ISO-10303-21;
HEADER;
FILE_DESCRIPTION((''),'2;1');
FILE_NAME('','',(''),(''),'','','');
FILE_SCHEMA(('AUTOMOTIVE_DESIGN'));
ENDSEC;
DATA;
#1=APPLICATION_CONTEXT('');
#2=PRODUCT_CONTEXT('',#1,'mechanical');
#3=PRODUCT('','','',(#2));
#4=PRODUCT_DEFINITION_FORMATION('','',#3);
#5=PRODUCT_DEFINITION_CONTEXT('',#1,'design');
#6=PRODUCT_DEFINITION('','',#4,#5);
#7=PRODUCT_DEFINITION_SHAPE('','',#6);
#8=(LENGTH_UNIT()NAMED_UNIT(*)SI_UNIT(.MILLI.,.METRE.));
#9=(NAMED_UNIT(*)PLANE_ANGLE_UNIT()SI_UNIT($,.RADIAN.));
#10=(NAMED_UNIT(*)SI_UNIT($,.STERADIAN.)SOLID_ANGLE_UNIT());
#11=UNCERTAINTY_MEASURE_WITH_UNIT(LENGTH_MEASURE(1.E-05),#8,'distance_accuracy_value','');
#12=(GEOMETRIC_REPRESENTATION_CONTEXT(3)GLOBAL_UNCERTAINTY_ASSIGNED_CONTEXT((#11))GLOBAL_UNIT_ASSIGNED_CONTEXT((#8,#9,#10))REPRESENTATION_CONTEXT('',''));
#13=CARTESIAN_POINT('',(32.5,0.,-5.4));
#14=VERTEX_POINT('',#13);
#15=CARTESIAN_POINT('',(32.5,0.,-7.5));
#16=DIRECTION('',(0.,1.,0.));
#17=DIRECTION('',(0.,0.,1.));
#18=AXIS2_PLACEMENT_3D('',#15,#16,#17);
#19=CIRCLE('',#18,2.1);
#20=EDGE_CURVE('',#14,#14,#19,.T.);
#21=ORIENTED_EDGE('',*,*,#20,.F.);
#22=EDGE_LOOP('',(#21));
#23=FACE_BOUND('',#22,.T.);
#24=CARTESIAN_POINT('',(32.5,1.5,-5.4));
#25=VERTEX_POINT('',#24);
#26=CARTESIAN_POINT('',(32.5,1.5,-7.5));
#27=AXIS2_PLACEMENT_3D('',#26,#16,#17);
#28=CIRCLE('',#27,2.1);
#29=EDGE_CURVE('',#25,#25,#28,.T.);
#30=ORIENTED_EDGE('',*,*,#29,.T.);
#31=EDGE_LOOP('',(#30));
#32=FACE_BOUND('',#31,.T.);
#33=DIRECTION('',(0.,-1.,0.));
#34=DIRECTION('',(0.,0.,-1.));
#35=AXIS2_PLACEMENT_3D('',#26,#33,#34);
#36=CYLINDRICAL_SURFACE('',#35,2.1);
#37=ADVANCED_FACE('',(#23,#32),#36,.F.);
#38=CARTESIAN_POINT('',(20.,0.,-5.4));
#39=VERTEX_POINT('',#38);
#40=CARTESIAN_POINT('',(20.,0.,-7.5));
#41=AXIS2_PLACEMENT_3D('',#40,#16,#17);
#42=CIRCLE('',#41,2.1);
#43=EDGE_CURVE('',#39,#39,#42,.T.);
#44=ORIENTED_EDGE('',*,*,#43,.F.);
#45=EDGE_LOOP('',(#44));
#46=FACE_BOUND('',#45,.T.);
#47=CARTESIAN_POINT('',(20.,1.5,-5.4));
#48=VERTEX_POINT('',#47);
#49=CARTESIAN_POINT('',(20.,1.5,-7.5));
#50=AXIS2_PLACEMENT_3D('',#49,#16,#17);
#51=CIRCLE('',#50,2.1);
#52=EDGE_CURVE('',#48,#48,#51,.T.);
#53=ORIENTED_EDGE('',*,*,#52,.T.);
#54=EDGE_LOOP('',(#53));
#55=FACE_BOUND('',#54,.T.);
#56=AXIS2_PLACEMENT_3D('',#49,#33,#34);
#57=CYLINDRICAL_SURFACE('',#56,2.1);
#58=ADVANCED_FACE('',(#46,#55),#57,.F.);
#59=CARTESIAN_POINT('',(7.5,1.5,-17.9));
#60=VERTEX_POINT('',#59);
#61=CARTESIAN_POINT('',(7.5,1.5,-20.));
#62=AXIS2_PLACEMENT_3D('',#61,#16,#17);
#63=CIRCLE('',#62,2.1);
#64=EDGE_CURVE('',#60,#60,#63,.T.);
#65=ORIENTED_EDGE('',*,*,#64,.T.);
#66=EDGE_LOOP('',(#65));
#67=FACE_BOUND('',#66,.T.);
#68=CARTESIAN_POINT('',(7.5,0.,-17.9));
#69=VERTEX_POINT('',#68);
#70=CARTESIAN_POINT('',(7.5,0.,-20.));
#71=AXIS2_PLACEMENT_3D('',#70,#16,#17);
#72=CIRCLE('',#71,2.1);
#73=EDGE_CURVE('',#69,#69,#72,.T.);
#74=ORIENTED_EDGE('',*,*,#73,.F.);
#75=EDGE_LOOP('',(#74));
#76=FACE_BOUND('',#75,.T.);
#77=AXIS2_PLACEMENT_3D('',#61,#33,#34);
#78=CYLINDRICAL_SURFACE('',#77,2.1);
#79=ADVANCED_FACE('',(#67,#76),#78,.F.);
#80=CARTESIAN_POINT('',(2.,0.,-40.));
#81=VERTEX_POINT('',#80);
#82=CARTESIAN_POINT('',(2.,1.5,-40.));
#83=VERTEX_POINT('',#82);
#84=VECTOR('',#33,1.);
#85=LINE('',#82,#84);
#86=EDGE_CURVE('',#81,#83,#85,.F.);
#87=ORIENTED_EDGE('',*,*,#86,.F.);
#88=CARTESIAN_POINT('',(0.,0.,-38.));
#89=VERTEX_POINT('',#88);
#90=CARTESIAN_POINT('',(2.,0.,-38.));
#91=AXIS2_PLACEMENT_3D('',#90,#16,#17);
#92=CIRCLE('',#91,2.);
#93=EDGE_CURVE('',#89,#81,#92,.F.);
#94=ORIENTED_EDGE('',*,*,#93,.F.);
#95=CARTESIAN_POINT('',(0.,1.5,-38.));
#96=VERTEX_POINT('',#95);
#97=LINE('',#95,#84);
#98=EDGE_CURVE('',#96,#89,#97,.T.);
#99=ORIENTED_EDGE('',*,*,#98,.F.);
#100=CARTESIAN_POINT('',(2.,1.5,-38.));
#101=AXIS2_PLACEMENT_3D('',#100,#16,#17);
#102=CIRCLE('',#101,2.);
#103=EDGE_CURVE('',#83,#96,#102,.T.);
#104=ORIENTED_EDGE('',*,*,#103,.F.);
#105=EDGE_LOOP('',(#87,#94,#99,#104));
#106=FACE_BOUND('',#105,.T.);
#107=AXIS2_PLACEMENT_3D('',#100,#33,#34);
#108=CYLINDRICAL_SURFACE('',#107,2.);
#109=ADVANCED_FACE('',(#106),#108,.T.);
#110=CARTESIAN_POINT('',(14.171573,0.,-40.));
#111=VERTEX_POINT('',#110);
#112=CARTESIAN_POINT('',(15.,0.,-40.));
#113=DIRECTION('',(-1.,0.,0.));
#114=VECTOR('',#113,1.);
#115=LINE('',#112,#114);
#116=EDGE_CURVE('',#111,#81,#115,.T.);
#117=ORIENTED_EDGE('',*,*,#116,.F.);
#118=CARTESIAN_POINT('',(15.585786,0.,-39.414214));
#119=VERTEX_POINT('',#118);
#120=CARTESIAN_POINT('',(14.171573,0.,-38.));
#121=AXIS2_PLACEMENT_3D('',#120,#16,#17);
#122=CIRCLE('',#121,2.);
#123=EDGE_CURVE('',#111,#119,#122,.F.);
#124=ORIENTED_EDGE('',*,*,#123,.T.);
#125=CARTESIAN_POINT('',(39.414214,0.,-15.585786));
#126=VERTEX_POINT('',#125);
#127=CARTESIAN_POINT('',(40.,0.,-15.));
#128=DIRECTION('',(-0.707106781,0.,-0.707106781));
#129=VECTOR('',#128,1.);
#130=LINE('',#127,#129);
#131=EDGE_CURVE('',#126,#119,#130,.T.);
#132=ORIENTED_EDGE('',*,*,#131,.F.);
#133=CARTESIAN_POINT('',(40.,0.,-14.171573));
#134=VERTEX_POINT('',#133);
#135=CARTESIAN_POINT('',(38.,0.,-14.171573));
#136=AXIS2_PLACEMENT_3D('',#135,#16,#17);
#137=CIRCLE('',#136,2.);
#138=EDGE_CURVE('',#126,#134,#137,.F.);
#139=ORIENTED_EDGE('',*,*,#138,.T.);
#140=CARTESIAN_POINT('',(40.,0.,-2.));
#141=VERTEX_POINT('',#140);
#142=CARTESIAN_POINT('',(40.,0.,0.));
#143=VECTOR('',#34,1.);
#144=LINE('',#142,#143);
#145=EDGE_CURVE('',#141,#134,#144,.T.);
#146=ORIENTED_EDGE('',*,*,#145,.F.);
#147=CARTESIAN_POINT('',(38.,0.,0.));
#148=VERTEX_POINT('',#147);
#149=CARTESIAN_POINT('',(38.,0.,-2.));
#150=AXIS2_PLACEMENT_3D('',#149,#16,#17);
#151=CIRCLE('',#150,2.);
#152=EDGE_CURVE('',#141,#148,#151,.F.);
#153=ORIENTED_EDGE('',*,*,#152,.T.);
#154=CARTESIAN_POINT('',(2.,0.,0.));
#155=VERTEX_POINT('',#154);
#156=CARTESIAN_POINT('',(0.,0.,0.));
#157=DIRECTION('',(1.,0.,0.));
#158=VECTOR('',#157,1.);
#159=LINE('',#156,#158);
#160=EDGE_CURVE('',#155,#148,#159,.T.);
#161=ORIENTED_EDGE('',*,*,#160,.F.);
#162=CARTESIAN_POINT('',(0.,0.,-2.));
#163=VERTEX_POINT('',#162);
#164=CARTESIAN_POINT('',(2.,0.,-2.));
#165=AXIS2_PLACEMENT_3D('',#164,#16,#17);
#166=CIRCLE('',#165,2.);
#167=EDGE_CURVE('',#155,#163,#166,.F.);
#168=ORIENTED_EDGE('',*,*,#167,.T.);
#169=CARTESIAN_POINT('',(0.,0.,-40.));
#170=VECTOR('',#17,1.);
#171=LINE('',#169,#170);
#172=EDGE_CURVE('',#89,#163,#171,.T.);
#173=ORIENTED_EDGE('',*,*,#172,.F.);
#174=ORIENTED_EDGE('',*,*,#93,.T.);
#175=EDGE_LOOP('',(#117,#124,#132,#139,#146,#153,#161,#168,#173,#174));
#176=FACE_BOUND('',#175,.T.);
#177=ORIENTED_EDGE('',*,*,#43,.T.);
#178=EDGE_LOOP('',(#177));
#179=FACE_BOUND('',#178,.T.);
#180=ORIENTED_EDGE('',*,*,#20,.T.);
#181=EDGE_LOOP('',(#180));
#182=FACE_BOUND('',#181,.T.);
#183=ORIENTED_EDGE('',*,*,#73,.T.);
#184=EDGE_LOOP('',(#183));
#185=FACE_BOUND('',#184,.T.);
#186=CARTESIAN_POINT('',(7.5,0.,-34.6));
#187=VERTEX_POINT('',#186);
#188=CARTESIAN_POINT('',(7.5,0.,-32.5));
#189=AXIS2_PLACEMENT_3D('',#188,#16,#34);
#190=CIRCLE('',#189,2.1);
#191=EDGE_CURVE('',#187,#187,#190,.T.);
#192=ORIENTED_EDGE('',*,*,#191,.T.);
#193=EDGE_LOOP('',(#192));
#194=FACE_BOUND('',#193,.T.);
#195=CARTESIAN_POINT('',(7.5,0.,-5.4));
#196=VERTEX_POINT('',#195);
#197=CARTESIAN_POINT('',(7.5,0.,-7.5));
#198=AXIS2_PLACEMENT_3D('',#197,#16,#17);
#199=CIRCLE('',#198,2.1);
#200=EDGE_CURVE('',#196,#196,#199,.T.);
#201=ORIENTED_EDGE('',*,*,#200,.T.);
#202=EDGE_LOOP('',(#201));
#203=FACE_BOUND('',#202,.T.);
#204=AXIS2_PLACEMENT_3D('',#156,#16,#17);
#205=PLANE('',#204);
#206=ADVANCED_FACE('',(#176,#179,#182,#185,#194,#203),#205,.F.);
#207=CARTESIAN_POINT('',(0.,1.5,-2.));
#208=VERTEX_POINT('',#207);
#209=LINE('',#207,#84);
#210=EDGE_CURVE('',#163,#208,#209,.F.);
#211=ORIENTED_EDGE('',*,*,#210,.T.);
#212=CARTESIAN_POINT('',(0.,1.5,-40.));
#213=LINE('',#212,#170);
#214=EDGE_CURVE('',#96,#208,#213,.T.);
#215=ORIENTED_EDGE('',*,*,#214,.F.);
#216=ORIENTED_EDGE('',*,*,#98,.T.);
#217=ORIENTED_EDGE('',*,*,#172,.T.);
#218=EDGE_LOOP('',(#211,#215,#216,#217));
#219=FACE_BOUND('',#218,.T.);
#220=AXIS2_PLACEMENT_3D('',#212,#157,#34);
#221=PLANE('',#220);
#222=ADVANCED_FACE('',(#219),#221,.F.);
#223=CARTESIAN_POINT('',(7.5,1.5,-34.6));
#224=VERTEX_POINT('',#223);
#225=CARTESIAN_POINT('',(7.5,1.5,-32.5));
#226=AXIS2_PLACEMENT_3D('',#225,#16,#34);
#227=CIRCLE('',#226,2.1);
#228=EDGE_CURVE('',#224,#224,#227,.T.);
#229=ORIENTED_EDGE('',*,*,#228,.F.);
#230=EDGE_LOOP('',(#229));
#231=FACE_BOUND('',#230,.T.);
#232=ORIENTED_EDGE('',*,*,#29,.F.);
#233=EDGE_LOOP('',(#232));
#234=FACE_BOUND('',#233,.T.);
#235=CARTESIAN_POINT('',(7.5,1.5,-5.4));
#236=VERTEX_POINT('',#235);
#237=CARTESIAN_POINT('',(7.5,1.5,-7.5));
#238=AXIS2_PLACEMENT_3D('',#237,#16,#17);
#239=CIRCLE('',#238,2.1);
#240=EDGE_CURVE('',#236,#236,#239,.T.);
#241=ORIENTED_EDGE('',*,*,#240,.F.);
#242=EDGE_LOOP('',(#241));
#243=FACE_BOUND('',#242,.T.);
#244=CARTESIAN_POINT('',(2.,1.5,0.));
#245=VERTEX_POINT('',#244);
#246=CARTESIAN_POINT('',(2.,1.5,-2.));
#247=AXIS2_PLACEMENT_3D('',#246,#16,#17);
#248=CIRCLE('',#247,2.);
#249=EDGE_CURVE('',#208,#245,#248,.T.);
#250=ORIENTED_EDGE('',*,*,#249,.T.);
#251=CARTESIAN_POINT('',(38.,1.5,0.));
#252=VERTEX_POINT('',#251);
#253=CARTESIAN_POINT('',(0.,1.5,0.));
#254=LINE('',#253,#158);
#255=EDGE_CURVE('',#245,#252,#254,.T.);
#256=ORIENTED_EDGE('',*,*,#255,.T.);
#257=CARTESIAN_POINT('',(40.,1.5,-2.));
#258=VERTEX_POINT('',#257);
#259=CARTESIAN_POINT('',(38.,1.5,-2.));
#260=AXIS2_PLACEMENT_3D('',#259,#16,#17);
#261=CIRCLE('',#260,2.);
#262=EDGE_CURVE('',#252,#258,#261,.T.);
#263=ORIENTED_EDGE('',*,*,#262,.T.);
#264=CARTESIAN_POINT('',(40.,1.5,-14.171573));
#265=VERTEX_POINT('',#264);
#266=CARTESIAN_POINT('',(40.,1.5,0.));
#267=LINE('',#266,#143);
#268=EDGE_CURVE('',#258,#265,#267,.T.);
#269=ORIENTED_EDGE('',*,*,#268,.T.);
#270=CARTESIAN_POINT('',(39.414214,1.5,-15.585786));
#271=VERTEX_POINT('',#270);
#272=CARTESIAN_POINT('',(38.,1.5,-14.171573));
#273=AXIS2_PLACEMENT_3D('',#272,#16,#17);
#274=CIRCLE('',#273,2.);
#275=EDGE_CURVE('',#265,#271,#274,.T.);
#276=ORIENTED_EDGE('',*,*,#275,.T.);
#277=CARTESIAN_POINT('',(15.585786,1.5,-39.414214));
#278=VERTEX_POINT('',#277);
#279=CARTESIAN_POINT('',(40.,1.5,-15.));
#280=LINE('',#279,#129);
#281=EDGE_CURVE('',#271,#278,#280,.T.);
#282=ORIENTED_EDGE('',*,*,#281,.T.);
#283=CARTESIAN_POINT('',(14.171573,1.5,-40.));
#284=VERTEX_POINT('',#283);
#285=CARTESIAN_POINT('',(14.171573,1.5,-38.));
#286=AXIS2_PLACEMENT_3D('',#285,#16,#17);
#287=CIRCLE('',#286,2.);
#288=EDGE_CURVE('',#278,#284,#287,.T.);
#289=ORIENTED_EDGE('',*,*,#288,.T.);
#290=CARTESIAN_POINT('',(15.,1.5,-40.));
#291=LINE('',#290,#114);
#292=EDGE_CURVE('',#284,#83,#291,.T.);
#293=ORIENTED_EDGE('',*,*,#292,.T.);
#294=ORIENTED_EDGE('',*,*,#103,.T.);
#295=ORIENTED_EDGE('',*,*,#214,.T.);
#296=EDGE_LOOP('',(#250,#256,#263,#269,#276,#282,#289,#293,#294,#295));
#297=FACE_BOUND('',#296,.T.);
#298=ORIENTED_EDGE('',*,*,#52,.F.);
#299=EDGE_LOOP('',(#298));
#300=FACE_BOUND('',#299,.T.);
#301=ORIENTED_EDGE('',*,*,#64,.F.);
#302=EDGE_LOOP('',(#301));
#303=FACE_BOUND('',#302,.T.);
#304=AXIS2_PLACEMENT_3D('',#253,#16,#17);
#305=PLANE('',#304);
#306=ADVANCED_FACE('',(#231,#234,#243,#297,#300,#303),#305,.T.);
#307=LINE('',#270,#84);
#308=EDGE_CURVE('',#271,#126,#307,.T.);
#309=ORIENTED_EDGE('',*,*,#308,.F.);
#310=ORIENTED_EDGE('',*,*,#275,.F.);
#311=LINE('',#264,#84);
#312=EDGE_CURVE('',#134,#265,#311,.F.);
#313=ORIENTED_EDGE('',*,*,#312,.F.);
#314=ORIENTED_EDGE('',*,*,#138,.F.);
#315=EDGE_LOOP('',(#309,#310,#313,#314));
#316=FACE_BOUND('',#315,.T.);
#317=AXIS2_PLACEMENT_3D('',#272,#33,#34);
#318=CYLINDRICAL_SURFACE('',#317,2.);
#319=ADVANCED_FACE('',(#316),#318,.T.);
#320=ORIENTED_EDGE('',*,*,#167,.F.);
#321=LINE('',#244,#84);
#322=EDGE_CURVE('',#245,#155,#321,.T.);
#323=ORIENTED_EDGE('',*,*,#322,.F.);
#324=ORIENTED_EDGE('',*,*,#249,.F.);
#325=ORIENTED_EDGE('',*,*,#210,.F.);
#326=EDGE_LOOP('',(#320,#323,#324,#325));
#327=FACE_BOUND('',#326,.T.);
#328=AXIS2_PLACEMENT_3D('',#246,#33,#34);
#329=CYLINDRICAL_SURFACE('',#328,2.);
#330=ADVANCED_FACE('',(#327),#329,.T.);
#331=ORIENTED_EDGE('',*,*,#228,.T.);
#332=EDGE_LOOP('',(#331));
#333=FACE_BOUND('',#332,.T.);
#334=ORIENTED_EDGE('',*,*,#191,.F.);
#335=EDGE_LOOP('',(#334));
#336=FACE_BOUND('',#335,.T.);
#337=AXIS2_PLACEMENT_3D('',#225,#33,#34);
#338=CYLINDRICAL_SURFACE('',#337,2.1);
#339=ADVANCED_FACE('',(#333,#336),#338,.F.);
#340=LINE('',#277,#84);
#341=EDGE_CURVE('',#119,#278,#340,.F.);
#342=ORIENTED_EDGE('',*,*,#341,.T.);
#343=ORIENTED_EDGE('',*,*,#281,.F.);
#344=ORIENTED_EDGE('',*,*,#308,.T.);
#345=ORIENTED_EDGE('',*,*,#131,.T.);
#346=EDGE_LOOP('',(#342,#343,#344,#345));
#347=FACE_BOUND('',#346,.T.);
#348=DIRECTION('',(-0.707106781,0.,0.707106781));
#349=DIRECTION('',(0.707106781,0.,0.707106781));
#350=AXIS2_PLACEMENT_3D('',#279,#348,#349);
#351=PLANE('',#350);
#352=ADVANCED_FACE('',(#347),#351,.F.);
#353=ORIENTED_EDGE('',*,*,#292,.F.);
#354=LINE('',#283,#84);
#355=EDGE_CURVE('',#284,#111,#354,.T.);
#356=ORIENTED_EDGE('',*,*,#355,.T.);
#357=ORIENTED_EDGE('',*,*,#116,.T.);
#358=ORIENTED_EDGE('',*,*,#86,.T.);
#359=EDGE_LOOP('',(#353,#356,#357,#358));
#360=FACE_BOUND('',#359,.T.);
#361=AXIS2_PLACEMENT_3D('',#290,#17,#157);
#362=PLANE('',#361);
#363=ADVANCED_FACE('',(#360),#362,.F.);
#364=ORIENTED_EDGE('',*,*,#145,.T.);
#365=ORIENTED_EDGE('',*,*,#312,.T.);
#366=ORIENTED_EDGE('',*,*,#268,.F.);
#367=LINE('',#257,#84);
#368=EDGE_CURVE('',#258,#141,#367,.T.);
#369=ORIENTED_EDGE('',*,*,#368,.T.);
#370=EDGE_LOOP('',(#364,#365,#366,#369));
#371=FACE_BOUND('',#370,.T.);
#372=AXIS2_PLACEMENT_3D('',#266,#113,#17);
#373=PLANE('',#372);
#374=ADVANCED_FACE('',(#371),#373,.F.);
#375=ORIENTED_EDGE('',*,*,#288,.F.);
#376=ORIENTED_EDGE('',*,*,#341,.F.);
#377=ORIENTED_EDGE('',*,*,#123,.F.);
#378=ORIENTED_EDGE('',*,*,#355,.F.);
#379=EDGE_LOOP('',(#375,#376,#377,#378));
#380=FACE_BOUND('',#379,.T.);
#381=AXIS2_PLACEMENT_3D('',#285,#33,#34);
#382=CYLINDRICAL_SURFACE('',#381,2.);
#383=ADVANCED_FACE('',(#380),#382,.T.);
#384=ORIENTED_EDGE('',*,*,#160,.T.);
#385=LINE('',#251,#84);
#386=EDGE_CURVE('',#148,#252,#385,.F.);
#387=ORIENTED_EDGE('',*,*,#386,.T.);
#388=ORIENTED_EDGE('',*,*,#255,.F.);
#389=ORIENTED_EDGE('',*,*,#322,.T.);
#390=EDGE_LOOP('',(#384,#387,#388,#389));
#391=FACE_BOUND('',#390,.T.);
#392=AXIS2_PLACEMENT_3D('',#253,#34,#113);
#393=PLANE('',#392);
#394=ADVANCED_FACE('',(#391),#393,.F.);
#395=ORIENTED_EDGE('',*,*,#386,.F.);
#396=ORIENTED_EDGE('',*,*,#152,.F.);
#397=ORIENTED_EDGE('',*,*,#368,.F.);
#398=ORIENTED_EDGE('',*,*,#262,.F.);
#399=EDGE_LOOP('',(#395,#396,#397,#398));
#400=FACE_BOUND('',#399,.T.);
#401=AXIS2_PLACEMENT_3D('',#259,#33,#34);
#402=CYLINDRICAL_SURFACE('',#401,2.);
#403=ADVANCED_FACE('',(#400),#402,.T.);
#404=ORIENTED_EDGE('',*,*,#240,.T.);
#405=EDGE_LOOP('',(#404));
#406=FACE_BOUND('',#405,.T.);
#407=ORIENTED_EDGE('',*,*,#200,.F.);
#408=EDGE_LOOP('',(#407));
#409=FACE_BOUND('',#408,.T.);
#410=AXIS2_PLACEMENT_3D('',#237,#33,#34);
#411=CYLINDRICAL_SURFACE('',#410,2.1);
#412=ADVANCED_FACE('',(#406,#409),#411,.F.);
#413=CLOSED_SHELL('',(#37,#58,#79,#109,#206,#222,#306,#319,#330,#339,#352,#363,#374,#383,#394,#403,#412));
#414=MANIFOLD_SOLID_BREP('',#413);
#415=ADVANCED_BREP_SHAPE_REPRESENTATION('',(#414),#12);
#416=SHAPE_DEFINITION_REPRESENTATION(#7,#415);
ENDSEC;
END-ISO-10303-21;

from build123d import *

# Parameters (mm, degrees)
SKETCH_2_R      = 2.1
EXTRUDE_1_DEPTH = 1.5
FILLET_1_R      = 2


with BuildPart() as part:
    # ｽｹｯﾁ2 → ﾎﾞｽ - 押し出し1 (new body)
    with BuildSketch(Plane(origin=(0, 0, 0), x_dir=(1, 0, 0), z_dir=(0, 1, 0))):
        Polygon((0, 0), (40, 0), (40, 15), (15, 40), (0, 40), align=None)
        with Locations(Location((7.5, 7.5, 0), (0, 0, 270))):
            Circle(SKETCH_2_R, mode=Mode.SUBTRACT)
        with Locations(Location((32.5, 7.5, 0), (0, 0, 270))):
            Circle(SKETCH_2_R, mode=Mode.SUBTRACT)
        with Locations(Location((7.5, 32.5, 0), (0, 0, 90))):
            Circle(SKETCH_2_R, mode=Mode.SUBTRACT)
        with Locations(Location((20, 7.5, 0), (0, 0, 270))):
            Circle(SKETCH_2_R, mode=Mode.SUBTRACT)
        with Locations(Location((7.5, 20, 0), (0, 0, 270))):
            Circle(SKETCH_2_R, mode=Mode.SUBTRACT)
    extrude(amount=EXTRUDE_1_DEPTH)

    # ﾌｨﾚｯﾄ1
    fillet_1_edges = [part.edges().sort_by_distance(p)[0] for p in [
        (0, 0.75, -40),
        (15, 0.75, -40),
        (40, 0.75, -15),
        (40, 0.75, 0),
        (0, 0.75, 0),
    ]]
    fillet(fillet_1_edges, radius=FILLET_1_R)


solid = part.part
